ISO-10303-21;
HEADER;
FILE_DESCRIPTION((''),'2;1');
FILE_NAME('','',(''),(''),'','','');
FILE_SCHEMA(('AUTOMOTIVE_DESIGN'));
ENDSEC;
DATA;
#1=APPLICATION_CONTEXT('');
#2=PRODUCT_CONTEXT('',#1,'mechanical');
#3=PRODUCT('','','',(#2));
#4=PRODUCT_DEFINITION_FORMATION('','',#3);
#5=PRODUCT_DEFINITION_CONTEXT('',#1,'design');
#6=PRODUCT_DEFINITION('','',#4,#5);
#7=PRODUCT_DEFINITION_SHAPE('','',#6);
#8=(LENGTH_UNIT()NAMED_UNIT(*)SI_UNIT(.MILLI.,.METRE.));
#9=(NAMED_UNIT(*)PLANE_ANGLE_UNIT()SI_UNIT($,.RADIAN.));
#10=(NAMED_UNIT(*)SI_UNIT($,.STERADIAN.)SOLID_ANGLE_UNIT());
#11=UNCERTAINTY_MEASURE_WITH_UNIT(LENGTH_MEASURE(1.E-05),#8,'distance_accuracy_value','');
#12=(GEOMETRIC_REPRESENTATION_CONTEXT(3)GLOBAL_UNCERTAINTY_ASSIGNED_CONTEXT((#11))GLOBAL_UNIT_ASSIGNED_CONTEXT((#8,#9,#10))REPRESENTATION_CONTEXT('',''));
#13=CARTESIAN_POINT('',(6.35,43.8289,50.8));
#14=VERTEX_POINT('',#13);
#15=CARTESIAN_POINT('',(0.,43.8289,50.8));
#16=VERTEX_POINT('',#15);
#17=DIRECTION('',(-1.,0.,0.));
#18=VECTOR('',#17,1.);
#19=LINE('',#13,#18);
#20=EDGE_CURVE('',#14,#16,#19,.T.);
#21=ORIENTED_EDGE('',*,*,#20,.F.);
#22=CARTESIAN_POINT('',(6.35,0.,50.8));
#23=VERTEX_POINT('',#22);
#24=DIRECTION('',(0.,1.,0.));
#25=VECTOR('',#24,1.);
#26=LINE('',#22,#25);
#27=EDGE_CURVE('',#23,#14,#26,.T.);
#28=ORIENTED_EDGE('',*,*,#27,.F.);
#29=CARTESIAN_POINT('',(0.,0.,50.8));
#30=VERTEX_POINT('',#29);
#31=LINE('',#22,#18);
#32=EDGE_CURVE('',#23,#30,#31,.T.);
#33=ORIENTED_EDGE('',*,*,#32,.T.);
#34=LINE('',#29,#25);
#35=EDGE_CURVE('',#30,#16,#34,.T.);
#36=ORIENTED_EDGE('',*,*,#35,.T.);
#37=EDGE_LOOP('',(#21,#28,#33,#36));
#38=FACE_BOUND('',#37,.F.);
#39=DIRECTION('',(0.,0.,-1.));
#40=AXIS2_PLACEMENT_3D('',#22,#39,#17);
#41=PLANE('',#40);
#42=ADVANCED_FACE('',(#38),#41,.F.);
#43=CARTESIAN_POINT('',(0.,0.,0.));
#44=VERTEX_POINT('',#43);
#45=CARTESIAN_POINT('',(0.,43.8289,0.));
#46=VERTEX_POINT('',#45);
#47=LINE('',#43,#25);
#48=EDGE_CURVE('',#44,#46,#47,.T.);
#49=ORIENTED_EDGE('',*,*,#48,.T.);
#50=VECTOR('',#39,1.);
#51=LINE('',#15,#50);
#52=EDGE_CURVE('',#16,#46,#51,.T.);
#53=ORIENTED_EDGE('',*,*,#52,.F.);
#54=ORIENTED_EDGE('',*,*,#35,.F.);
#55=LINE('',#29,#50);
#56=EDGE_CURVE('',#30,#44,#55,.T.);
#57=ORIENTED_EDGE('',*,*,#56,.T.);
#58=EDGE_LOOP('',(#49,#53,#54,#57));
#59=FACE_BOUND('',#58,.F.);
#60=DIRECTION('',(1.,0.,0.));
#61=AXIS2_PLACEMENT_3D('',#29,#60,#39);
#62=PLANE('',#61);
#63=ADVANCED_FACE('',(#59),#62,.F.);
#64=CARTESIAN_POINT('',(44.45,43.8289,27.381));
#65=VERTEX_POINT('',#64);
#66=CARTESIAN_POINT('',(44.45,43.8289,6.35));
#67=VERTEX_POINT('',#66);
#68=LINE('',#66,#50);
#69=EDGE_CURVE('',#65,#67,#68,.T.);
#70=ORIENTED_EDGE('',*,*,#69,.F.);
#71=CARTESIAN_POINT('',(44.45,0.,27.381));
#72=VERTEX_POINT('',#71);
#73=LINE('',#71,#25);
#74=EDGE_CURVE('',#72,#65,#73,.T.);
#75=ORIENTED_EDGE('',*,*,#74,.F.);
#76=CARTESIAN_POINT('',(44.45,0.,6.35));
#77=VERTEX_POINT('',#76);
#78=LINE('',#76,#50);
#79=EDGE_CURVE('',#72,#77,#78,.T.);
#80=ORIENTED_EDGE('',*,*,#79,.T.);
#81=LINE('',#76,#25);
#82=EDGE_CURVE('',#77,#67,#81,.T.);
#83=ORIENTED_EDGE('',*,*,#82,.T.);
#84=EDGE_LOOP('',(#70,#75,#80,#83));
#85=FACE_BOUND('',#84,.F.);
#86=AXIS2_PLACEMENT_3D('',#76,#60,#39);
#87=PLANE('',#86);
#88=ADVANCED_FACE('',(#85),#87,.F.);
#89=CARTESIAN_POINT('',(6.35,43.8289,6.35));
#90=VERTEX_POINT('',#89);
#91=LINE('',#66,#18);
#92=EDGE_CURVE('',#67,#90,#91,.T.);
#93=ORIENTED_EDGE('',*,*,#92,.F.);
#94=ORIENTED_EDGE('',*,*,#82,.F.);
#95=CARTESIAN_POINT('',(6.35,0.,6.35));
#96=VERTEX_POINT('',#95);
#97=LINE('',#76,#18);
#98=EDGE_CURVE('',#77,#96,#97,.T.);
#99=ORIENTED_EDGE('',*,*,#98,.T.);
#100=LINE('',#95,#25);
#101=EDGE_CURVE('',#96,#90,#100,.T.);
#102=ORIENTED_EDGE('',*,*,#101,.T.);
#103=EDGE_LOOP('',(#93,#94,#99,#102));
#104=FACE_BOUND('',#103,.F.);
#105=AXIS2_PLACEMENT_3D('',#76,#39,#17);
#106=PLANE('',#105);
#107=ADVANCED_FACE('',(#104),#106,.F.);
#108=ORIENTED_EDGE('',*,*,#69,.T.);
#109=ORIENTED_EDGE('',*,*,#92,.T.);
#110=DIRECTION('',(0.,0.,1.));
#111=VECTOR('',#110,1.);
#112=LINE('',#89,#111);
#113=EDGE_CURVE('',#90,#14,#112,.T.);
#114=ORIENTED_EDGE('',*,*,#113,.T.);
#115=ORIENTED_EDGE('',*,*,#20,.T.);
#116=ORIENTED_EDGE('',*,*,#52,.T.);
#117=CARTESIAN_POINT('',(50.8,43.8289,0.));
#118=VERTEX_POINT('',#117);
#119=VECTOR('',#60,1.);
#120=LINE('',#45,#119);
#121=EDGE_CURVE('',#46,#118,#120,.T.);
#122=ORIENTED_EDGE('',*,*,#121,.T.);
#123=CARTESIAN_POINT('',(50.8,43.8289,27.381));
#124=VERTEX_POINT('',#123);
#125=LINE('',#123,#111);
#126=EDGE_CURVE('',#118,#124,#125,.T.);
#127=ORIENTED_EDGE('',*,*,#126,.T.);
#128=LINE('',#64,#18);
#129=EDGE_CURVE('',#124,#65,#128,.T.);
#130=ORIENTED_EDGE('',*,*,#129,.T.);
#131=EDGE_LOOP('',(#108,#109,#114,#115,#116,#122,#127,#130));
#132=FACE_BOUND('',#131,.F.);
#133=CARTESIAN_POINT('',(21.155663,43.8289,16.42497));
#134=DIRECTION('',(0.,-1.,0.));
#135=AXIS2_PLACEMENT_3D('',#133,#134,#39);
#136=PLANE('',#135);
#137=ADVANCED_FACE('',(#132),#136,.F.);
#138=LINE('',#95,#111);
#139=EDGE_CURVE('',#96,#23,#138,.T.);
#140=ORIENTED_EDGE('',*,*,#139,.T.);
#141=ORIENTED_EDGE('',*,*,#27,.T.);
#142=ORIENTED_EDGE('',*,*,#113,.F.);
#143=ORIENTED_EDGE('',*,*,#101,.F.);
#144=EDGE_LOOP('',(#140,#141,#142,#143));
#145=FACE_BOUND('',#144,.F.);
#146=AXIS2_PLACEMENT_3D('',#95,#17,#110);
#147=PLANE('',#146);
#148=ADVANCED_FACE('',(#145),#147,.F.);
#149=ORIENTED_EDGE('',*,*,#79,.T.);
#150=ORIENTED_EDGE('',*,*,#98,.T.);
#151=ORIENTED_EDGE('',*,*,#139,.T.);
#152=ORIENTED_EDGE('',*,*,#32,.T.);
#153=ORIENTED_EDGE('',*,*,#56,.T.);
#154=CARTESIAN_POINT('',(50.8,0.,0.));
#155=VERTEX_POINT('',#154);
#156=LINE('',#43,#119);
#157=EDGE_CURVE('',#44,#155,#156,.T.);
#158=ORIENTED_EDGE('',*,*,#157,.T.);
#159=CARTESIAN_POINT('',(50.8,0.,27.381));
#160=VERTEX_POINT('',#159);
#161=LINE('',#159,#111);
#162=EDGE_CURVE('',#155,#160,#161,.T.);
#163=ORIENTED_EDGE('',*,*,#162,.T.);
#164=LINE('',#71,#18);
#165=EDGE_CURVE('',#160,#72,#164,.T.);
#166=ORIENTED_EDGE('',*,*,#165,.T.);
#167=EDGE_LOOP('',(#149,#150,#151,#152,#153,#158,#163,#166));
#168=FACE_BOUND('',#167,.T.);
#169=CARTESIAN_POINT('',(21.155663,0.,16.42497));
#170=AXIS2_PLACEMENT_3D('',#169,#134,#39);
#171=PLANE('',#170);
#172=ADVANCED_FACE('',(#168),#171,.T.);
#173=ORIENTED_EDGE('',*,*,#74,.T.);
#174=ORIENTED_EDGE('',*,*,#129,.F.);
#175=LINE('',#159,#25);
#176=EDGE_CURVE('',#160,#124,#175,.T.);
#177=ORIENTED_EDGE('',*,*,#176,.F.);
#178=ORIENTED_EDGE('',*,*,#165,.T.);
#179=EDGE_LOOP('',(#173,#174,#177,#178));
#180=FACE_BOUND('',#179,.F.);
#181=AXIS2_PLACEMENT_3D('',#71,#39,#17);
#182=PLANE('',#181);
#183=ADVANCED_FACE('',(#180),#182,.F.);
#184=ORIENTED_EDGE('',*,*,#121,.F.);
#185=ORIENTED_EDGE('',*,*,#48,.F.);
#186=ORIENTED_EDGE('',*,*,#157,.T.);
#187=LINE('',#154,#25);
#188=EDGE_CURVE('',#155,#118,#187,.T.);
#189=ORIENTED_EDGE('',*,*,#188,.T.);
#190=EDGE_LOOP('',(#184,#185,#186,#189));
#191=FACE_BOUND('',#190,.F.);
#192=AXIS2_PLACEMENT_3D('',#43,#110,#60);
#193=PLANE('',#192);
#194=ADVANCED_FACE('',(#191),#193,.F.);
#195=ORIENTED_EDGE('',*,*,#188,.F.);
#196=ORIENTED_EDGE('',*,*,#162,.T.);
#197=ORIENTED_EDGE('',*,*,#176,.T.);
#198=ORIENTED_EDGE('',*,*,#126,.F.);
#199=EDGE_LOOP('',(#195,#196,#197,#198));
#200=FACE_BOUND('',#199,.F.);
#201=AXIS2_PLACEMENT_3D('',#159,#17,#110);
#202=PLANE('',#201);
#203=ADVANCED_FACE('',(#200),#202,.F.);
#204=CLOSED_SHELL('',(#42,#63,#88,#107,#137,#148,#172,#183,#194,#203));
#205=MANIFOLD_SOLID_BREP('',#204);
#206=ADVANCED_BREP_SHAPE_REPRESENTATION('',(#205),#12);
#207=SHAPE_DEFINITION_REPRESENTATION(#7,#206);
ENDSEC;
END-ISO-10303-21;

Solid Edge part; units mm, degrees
sketch "Sketch1" plane through (0, 0, 0) normal (1, 0, 0) x (0, 1, 0)
  line L0 (0, 0) -> (43.8289, 0)
sketch "Sketch2" plane through (0, 0, 0) normal (0, -1, 0) x (1, 0, 0)
  line L0 (0, 50.8) -> (0, 0)
  line L1 (0, 0) -> (50.8, 0)
  line L2 (50.8, 27.381) -> (50.8, 0)
  line L3 (44.45, 27.381) -> (50.8, 27.381)
  line L4 (44.45, 6.35) -> (44.45, 27.381)
  line L5 (44.45, 6.35) -> (6.35, 6.35)
  line L6 (6.35, 6.35) -> (6.35, 50.8)
  line L7 (6.35, 50.8) -> (0, 50.8)
  dimension "D1" = 50.8
  dimension "D2" = 6.35
  dimension "D3" = 50.8
  dimension "D4" = 27.381
sweep "SweptProtrusion_1" add profiles "Sketch2" path "Sketch1"
